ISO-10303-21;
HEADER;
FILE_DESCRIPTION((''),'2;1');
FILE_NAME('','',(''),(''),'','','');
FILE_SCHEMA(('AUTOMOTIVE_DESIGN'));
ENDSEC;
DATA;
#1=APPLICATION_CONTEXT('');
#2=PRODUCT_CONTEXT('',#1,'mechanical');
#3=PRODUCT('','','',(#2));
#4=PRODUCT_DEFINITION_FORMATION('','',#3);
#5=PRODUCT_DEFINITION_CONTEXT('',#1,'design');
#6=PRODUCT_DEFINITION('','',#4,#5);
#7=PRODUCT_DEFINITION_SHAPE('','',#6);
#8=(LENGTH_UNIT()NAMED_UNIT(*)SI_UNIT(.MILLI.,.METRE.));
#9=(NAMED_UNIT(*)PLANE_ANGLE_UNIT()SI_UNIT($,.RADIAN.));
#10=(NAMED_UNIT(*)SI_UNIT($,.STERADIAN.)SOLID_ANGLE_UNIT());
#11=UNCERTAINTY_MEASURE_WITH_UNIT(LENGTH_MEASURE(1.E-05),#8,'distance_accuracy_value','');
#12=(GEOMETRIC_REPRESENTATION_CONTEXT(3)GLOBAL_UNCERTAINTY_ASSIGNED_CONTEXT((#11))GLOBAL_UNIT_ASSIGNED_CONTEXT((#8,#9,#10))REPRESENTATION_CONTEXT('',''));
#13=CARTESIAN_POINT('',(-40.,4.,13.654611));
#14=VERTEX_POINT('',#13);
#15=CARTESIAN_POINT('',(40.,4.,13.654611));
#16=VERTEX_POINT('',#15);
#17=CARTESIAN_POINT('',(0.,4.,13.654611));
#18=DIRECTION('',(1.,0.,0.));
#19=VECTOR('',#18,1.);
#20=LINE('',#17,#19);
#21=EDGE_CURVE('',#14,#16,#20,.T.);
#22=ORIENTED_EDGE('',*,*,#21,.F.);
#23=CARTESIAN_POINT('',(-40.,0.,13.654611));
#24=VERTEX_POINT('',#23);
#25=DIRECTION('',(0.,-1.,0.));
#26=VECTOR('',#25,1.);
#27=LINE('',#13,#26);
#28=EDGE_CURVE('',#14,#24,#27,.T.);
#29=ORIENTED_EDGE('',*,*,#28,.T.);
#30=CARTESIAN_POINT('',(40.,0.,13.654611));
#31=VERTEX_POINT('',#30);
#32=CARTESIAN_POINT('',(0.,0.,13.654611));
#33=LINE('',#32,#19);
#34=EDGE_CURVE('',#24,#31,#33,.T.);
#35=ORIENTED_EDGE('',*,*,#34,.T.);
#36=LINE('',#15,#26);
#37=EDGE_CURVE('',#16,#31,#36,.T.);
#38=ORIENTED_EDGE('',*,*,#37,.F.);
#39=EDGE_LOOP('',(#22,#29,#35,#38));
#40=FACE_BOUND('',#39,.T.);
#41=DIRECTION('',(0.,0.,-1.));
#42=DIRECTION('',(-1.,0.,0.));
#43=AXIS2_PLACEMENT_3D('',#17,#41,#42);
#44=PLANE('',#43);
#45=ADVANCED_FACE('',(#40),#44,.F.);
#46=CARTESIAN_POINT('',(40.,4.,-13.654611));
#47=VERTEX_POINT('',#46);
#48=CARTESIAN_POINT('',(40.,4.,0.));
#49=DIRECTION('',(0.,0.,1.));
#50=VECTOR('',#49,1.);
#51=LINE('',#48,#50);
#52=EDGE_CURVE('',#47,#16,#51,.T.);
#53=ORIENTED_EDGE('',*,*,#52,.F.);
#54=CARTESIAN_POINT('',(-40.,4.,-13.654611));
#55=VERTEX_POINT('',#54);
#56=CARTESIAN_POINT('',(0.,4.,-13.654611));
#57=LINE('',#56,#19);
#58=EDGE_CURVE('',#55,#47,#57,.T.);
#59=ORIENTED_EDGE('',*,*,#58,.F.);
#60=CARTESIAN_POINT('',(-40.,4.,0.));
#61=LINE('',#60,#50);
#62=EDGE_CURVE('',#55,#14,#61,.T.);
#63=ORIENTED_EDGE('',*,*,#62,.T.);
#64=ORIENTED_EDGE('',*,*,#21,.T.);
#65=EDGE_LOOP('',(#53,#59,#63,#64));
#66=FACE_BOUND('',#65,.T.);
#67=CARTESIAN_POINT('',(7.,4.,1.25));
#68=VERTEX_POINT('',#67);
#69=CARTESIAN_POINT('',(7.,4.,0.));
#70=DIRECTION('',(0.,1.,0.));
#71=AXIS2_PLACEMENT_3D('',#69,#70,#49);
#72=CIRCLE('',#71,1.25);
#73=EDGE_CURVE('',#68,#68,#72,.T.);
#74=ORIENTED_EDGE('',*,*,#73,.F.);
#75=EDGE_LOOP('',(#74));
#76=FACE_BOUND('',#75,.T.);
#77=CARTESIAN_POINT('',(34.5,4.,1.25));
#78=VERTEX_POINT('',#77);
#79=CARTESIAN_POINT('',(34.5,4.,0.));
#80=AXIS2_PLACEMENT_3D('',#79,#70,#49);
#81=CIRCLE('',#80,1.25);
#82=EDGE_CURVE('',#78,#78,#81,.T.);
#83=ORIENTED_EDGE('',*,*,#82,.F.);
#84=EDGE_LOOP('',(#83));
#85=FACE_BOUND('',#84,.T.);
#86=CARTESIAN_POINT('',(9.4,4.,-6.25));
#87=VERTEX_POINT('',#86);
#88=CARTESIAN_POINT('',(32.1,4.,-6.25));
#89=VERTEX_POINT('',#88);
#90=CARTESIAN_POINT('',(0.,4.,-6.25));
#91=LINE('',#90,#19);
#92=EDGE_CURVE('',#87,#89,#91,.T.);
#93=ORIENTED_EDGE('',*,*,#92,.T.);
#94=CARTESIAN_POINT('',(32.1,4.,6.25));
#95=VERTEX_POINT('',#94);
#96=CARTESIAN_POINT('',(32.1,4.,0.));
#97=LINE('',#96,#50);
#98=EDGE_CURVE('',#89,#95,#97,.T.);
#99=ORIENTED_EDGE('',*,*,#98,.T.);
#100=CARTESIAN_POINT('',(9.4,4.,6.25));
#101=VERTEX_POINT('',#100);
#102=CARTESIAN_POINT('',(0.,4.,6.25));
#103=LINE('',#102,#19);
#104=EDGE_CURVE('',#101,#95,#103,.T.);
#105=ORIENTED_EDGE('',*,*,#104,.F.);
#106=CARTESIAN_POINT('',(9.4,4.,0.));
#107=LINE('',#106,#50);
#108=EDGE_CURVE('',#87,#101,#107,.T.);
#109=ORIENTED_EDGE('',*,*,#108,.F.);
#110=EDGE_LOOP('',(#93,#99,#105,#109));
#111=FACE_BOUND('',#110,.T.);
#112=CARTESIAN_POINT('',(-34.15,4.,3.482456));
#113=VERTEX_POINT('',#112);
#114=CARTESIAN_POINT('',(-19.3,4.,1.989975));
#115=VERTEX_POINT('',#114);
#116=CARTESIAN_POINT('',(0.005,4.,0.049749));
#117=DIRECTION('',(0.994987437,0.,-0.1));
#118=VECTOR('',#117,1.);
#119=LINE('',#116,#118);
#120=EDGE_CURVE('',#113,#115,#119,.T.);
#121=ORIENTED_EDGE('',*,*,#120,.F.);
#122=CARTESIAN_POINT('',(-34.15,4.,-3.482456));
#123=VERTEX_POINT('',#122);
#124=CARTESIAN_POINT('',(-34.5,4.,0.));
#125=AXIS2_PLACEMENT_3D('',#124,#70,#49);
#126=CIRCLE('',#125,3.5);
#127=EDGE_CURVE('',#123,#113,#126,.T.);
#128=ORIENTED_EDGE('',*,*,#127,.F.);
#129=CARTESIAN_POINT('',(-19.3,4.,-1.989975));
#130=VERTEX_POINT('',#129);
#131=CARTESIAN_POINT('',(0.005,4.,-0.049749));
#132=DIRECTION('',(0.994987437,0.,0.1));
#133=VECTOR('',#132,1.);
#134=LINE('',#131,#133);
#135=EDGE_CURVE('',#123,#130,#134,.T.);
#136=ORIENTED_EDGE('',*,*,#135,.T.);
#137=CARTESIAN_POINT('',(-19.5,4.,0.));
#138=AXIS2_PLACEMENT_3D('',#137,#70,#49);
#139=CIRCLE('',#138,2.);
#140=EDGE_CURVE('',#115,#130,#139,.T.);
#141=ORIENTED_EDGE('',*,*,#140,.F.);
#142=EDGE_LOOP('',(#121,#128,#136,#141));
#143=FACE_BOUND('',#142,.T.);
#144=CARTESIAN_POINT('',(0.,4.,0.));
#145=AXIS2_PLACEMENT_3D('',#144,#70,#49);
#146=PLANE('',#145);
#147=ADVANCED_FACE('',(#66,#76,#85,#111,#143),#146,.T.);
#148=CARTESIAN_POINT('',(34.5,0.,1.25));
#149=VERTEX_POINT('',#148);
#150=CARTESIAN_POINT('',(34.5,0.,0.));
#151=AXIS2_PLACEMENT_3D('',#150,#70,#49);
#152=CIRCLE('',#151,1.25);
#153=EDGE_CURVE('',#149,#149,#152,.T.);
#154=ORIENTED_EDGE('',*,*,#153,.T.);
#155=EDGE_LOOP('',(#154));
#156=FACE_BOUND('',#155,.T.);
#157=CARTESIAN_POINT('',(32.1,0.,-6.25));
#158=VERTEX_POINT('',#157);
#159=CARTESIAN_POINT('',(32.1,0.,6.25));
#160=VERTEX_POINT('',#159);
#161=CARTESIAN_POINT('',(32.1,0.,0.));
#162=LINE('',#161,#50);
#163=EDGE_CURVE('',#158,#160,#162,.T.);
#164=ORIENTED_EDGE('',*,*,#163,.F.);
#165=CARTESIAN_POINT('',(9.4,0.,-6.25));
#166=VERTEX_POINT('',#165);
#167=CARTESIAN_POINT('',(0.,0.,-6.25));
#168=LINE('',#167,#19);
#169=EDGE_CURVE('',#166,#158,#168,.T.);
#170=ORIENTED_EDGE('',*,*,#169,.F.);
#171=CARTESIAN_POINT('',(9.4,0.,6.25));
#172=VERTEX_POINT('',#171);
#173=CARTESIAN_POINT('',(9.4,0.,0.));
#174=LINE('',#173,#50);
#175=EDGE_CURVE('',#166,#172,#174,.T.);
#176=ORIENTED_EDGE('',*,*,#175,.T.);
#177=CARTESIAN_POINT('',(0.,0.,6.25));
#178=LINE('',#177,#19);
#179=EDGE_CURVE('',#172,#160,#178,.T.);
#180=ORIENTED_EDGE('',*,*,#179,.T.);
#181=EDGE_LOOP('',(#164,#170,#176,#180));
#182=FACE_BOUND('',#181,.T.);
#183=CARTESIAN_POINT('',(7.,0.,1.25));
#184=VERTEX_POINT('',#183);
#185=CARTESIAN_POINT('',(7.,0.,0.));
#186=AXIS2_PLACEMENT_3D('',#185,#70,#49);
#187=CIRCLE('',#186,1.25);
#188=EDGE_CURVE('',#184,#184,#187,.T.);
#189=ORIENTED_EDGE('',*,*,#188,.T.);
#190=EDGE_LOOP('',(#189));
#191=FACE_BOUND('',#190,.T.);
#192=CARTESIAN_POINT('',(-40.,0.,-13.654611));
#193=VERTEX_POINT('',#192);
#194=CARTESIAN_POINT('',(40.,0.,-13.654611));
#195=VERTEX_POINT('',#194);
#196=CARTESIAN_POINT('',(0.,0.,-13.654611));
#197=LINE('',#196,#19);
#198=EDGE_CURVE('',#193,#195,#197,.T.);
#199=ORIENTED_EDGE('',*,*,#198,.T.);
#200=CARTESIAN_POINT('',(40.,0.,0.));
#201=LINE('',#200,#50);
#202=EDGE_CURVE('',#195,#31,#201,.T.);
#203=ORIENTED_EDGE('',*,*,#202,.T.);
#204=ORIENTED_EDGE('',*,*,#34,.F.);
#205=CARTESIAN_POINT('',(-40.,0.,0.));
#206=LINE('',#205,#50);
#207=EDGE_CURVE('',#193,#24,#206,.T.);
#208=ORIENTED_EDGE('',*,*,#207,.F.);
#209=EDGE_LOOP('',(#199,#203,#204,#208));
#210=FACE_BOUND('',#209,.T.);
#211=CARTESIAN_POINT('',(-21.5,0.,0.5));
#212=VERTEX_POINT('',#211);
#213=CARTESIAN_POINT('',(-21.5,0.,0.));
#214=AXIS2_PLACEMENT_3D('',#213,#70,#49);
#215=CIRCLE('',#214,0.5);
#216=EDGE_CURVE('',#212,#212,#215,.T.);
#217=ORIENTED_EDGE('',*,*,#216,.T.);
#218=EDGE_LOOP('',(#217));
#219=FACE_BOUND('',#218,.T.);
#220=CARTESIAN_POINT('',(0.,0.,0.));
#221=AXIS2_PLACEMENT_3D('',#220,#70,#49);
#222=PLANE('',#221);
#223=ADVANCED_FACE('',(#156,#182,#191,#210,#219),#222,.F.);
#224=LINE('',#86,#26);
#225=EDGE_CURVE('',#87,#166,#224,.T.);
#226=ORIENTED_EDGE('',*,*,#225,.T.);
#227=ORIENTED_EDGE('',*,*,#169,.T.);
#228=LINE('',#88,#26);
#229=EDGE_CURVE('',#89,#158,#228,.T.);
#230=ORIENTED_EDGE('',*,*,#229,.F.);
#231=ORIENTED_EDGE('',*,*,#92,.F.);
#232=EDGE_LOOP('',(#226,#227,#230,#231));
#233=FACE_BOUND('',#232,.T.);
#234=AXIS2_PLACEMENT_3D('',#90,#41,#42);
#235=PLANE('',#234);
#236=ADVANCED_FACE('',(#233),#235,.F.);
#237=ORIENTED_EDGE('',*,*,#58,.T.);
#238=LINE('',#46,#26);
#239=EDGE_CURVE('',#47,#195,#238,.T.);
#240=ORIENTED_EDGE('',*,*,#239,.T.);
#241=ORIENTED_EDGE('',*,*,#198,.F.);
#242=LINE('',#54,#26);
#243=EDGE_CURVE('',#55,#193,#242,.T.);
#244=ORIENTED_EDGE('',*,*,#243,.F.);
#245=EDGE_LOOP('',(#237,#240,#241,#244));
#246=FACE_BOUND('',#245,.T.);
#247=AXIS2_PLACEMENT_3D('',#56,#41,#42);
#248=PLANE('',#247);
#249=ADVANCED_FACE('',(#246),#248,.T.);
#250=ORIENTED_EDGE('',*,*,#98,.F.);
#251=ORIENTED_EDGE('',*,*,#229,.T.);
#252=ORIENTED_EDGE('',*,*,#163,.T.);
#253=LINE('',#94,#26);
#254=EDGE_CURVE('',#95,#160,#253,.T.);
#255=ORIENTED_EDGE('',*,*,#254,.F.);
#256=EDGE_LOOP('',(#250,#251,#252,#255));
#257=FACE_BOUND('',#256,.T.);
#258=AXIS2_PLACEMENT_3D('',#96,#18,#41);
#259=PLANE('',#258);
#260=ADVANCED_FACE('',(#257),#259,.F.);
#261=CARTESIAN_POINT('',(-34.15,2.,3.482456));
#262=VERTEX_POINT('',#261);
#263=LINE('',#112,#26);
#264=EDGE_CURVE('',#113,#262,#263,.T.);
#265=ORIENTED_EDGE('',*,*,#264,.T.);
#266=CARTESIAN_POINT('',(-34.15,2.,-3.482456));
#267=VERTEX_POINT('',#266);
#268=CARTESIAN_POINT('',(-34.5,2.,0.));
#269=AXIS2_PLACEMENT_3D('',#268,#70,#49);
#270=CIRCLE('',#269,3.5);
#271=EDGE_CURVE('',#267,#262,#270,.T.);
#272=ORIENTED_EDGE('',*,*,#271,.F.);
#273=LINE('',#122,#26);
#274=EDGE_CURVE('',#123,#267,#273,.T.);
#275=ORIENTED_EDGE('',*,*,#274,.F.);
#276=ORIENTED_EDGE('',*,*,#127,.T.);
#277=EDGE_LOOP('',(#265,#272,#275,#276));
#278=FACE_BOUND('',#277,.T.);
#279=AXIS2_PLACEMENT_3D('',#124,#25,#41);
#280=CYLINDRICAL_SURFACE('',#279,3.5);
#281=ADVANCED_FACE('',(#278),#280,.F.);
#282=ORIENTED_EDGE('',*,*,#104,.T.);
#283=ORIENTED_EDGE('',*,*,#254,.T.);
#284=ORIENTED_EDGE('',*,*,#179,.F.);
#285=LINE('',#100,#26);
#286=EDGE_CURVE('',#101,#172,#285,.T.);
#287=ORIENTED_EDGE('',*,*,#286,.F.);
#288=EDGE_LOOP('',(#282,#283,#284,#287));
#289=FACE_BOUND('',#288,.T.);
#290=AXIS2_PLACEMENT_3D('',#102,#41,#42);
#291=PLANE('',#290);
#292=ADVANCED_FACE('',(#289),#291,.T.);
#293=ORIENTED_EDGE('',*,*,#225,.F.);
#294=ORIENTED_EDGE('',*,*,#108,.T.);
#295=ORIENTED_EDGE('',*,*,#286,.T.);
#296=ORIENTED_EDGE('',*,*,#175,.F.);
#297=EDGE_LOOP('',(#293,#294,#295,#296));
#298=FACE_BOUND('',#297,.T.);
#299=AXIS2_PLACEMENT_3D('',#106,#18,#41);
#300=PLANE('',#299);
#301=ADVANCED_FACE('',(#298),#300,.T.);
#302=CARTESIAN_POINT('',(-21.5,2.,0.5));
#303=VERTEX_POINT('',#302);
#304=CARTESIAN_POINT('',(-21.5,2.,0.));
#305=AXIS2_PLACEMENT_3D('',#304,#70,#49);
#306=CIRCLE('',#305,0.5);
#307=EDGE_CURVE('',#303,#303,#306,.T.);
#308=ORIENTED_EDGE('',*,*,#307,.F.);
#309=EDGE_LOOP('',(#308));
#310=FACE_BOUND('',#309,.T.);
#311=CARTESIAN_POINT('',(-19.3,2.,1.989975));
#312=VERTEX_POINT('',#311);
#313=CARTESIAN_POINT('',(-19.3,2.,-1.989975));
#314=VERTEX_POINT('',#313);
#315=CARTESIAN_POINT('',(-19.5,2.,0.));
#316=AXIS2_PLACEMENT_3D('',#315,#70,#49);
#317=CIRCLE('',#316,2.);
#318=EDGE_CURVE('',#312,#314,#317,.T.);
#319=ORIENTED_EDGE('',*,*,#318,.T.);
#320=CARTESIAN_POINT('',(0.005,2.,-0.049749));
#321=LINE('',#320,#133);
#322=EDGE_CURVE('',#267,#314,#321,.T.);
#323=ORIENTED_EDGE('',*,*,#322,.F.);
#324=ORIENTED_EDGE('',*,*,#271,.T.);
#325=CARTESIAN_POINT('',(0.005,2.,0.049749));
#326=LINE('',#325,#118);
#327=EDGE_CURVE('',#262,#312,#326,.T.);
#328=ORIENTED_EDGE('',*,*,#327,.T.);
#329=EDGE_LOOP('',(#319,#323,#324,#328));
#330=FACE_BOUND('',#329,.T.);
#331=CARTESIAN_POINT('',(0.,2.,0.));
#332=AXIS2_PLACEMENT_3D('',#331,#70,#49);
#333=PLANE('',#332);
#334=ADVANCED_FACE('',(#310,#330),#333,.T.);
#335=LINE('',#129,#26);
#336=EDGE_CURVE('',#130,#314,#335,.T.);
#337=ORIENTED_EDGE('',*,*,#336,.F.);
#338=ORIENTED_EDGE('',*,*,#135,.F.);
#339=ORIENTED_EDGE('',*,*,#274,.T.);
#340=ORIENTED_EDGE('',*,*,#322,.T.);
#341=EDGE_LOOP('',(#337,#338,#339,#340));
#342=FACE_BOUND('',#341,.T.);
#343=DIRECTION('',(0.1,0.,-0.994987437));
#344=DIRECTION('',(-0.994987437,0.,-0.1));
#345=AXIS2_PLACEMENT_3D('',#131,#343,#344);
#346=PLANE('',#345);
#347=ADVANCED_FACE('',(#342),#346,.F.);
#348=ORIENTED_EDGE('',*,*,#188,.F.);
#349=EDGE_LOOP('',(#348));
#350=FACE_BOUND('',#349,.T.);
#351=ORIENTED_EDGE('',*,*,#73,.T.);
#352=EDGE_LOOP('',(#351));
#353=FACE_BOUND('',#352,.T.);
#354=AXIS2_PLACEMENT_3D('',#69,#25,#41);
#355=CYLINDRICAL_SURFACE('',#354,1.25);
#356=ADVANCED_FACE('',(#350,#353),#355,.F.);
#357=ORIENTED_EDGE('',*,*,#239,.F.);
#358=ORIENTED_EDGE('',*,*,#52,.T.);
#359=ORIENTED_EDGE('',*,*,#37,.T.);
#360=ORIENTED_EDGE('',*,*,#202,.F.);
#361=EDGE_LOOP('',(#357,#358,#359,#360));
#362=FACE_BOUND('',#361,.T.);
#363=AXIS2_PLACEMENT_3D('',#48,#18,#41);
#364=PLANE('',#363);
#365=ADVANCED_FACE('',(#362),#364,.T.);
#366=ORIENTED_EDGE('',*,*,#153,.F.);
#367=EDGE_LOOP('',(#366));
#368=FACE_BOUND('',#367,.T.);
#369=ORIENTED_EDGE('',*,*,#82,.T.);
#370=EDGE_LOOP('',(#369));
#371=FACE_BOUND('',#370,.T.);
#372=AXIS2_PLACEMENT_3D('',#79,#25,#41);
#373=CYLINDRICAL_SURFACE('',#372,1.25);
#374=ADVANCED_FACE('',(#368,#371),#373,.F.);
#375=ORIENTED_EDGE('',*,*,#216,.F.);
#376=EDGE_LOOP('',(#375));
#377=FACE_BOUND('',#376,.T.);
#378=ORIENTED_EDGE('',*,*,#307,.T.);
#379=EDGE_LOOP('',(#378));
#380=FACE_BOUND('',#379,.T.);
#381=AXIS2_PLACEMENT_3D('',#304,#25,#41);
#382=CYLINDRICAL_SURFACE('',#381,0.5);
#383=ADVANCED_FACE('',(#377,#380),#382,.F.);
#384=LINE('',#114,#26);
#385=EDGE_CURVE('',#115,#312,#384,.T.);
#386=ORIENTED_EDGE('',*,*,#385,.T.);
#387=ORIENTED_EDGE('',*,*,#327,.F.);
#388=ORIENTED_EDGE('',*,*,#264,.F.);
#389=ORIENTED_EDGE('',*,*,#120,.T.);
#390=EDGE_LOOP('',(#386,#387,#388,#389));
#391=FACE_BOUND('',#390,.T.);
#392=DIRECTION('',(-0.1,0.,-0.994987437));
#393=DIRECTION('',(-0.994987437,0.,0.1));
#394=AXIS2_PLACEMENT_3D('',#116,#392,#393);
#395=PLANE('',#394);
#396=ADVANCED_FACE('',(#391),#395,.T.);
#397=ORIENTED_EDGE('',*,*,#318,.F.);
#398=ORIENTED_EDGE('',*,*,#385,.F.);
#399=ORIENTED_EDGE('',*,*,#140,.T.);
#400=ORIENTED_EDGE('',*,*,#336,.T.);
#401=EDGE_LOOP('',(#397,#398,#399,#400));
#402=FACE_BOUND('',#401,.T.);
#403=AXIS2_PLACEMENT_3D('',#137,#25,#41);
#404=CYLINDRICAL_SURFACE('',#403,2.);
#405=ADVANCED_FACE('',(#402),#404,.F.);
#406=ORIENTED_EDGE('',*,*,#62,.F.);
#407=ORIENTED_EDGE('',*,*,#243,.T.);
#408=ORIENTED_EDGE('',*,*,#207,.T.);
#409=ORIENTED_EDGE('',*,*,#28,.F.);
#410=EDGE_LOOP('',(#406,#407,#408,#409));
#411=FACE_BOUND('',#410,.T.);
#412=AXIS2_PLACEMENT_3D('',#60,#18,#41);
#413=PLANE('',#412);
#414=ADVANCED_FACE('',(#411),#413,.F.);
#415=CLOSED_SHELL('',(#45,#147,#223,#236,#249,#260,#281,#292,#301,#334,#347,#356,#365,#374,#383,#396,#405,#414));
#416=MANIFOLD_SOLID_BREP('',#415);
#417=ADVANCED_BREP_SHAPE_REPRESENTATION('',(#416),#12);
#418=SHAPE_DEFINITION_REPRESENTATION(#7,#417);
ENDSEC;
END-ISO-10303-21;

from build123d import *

# Parameters (mm, degrees)
SKETCH_1_W      = 80
SKETCH_1_H      = 27.309222572
SKETCH_1_R      = 1.25
SKETCH_1_W_2    = 22.7
SKETCH_1_H_2    = 12.5
EXTRUDE_2_DEPTH = 4
SKETCH_1_4_R    = 0.5
EXTRUDE_3_DEPTH = 2


with BuildPart() as part:
    # 草图1 → 凸台-拉伸2 (new body)
    with BuildSketch(Plane(origin=(0, 0, 0), x_dir=(1, 0, 0), z_dir=(0, 1, 0))):
        Rectangle(SKETCH_1_W, SKETCH_1_H)
        with BuildLine():
            ThreePointArc((-34.15, -3.48245603), (-38, 0), (-34.15, 3.48245603))
            Line((-34.15, 3.48245603), (-19.3, 1.989974874))
            ThreePointArc((-19.3, 1.989974874), (-18.016760303, 1.341640786), (-17.5, 0))
            ThreePointArc((-17.5, 0), (-18.016760303, -1.341640786), (-19.3, -1.989974874))
            Line((-19.3, -1.989974874), (-34.15, -3.48245603))
        make_face(mode=Mode.SUBTRACT)
        with Locations((7, 0)):
            Circle(SKETCH_1_R, mode=Mode.SUBTRACT)
        with Locations((20.75, 0)):
            Rectangle(SKETCH_1_W_2, SKETCH_1_H_2, mode=Mode.SUBTRACT)
        with Locations((34.5, 0)):
            Circle(SKETCH_1_R, mode=Mode.SUBTRACT)
    extrude(amount=EXTRUDE_2_DEPTH)

    # 草图1<4> → 凸台-拉伸3 (add)
    with BuildSketch(Plane(origin=(0, 0, 0), x_dir=(1, 0, 0), z_dir=(0, 1, 0))):
        with BuildLine():
            Line((-19.3, 1.989974874), (-34.15, 3.48245603))
            ThreePointArc((-34.15, 3.48245603), (-38, 0), (-34.15, -3.48245603))
            Line((-34.15, -3.48245603), (-19.3, -1.989974874))
            ThreePointArc((-19.3, -1.989974874), (-17.5, 0), (-19.3, 1.989974874))
        make_face()
        with Locations((-21.5, 0)):
            Circle(SKETCH_1_4_R, mode=Mode.SUBTRACT)
    extrude(amount=EXTRUDE_3_DEPTH)


solid = part.part
